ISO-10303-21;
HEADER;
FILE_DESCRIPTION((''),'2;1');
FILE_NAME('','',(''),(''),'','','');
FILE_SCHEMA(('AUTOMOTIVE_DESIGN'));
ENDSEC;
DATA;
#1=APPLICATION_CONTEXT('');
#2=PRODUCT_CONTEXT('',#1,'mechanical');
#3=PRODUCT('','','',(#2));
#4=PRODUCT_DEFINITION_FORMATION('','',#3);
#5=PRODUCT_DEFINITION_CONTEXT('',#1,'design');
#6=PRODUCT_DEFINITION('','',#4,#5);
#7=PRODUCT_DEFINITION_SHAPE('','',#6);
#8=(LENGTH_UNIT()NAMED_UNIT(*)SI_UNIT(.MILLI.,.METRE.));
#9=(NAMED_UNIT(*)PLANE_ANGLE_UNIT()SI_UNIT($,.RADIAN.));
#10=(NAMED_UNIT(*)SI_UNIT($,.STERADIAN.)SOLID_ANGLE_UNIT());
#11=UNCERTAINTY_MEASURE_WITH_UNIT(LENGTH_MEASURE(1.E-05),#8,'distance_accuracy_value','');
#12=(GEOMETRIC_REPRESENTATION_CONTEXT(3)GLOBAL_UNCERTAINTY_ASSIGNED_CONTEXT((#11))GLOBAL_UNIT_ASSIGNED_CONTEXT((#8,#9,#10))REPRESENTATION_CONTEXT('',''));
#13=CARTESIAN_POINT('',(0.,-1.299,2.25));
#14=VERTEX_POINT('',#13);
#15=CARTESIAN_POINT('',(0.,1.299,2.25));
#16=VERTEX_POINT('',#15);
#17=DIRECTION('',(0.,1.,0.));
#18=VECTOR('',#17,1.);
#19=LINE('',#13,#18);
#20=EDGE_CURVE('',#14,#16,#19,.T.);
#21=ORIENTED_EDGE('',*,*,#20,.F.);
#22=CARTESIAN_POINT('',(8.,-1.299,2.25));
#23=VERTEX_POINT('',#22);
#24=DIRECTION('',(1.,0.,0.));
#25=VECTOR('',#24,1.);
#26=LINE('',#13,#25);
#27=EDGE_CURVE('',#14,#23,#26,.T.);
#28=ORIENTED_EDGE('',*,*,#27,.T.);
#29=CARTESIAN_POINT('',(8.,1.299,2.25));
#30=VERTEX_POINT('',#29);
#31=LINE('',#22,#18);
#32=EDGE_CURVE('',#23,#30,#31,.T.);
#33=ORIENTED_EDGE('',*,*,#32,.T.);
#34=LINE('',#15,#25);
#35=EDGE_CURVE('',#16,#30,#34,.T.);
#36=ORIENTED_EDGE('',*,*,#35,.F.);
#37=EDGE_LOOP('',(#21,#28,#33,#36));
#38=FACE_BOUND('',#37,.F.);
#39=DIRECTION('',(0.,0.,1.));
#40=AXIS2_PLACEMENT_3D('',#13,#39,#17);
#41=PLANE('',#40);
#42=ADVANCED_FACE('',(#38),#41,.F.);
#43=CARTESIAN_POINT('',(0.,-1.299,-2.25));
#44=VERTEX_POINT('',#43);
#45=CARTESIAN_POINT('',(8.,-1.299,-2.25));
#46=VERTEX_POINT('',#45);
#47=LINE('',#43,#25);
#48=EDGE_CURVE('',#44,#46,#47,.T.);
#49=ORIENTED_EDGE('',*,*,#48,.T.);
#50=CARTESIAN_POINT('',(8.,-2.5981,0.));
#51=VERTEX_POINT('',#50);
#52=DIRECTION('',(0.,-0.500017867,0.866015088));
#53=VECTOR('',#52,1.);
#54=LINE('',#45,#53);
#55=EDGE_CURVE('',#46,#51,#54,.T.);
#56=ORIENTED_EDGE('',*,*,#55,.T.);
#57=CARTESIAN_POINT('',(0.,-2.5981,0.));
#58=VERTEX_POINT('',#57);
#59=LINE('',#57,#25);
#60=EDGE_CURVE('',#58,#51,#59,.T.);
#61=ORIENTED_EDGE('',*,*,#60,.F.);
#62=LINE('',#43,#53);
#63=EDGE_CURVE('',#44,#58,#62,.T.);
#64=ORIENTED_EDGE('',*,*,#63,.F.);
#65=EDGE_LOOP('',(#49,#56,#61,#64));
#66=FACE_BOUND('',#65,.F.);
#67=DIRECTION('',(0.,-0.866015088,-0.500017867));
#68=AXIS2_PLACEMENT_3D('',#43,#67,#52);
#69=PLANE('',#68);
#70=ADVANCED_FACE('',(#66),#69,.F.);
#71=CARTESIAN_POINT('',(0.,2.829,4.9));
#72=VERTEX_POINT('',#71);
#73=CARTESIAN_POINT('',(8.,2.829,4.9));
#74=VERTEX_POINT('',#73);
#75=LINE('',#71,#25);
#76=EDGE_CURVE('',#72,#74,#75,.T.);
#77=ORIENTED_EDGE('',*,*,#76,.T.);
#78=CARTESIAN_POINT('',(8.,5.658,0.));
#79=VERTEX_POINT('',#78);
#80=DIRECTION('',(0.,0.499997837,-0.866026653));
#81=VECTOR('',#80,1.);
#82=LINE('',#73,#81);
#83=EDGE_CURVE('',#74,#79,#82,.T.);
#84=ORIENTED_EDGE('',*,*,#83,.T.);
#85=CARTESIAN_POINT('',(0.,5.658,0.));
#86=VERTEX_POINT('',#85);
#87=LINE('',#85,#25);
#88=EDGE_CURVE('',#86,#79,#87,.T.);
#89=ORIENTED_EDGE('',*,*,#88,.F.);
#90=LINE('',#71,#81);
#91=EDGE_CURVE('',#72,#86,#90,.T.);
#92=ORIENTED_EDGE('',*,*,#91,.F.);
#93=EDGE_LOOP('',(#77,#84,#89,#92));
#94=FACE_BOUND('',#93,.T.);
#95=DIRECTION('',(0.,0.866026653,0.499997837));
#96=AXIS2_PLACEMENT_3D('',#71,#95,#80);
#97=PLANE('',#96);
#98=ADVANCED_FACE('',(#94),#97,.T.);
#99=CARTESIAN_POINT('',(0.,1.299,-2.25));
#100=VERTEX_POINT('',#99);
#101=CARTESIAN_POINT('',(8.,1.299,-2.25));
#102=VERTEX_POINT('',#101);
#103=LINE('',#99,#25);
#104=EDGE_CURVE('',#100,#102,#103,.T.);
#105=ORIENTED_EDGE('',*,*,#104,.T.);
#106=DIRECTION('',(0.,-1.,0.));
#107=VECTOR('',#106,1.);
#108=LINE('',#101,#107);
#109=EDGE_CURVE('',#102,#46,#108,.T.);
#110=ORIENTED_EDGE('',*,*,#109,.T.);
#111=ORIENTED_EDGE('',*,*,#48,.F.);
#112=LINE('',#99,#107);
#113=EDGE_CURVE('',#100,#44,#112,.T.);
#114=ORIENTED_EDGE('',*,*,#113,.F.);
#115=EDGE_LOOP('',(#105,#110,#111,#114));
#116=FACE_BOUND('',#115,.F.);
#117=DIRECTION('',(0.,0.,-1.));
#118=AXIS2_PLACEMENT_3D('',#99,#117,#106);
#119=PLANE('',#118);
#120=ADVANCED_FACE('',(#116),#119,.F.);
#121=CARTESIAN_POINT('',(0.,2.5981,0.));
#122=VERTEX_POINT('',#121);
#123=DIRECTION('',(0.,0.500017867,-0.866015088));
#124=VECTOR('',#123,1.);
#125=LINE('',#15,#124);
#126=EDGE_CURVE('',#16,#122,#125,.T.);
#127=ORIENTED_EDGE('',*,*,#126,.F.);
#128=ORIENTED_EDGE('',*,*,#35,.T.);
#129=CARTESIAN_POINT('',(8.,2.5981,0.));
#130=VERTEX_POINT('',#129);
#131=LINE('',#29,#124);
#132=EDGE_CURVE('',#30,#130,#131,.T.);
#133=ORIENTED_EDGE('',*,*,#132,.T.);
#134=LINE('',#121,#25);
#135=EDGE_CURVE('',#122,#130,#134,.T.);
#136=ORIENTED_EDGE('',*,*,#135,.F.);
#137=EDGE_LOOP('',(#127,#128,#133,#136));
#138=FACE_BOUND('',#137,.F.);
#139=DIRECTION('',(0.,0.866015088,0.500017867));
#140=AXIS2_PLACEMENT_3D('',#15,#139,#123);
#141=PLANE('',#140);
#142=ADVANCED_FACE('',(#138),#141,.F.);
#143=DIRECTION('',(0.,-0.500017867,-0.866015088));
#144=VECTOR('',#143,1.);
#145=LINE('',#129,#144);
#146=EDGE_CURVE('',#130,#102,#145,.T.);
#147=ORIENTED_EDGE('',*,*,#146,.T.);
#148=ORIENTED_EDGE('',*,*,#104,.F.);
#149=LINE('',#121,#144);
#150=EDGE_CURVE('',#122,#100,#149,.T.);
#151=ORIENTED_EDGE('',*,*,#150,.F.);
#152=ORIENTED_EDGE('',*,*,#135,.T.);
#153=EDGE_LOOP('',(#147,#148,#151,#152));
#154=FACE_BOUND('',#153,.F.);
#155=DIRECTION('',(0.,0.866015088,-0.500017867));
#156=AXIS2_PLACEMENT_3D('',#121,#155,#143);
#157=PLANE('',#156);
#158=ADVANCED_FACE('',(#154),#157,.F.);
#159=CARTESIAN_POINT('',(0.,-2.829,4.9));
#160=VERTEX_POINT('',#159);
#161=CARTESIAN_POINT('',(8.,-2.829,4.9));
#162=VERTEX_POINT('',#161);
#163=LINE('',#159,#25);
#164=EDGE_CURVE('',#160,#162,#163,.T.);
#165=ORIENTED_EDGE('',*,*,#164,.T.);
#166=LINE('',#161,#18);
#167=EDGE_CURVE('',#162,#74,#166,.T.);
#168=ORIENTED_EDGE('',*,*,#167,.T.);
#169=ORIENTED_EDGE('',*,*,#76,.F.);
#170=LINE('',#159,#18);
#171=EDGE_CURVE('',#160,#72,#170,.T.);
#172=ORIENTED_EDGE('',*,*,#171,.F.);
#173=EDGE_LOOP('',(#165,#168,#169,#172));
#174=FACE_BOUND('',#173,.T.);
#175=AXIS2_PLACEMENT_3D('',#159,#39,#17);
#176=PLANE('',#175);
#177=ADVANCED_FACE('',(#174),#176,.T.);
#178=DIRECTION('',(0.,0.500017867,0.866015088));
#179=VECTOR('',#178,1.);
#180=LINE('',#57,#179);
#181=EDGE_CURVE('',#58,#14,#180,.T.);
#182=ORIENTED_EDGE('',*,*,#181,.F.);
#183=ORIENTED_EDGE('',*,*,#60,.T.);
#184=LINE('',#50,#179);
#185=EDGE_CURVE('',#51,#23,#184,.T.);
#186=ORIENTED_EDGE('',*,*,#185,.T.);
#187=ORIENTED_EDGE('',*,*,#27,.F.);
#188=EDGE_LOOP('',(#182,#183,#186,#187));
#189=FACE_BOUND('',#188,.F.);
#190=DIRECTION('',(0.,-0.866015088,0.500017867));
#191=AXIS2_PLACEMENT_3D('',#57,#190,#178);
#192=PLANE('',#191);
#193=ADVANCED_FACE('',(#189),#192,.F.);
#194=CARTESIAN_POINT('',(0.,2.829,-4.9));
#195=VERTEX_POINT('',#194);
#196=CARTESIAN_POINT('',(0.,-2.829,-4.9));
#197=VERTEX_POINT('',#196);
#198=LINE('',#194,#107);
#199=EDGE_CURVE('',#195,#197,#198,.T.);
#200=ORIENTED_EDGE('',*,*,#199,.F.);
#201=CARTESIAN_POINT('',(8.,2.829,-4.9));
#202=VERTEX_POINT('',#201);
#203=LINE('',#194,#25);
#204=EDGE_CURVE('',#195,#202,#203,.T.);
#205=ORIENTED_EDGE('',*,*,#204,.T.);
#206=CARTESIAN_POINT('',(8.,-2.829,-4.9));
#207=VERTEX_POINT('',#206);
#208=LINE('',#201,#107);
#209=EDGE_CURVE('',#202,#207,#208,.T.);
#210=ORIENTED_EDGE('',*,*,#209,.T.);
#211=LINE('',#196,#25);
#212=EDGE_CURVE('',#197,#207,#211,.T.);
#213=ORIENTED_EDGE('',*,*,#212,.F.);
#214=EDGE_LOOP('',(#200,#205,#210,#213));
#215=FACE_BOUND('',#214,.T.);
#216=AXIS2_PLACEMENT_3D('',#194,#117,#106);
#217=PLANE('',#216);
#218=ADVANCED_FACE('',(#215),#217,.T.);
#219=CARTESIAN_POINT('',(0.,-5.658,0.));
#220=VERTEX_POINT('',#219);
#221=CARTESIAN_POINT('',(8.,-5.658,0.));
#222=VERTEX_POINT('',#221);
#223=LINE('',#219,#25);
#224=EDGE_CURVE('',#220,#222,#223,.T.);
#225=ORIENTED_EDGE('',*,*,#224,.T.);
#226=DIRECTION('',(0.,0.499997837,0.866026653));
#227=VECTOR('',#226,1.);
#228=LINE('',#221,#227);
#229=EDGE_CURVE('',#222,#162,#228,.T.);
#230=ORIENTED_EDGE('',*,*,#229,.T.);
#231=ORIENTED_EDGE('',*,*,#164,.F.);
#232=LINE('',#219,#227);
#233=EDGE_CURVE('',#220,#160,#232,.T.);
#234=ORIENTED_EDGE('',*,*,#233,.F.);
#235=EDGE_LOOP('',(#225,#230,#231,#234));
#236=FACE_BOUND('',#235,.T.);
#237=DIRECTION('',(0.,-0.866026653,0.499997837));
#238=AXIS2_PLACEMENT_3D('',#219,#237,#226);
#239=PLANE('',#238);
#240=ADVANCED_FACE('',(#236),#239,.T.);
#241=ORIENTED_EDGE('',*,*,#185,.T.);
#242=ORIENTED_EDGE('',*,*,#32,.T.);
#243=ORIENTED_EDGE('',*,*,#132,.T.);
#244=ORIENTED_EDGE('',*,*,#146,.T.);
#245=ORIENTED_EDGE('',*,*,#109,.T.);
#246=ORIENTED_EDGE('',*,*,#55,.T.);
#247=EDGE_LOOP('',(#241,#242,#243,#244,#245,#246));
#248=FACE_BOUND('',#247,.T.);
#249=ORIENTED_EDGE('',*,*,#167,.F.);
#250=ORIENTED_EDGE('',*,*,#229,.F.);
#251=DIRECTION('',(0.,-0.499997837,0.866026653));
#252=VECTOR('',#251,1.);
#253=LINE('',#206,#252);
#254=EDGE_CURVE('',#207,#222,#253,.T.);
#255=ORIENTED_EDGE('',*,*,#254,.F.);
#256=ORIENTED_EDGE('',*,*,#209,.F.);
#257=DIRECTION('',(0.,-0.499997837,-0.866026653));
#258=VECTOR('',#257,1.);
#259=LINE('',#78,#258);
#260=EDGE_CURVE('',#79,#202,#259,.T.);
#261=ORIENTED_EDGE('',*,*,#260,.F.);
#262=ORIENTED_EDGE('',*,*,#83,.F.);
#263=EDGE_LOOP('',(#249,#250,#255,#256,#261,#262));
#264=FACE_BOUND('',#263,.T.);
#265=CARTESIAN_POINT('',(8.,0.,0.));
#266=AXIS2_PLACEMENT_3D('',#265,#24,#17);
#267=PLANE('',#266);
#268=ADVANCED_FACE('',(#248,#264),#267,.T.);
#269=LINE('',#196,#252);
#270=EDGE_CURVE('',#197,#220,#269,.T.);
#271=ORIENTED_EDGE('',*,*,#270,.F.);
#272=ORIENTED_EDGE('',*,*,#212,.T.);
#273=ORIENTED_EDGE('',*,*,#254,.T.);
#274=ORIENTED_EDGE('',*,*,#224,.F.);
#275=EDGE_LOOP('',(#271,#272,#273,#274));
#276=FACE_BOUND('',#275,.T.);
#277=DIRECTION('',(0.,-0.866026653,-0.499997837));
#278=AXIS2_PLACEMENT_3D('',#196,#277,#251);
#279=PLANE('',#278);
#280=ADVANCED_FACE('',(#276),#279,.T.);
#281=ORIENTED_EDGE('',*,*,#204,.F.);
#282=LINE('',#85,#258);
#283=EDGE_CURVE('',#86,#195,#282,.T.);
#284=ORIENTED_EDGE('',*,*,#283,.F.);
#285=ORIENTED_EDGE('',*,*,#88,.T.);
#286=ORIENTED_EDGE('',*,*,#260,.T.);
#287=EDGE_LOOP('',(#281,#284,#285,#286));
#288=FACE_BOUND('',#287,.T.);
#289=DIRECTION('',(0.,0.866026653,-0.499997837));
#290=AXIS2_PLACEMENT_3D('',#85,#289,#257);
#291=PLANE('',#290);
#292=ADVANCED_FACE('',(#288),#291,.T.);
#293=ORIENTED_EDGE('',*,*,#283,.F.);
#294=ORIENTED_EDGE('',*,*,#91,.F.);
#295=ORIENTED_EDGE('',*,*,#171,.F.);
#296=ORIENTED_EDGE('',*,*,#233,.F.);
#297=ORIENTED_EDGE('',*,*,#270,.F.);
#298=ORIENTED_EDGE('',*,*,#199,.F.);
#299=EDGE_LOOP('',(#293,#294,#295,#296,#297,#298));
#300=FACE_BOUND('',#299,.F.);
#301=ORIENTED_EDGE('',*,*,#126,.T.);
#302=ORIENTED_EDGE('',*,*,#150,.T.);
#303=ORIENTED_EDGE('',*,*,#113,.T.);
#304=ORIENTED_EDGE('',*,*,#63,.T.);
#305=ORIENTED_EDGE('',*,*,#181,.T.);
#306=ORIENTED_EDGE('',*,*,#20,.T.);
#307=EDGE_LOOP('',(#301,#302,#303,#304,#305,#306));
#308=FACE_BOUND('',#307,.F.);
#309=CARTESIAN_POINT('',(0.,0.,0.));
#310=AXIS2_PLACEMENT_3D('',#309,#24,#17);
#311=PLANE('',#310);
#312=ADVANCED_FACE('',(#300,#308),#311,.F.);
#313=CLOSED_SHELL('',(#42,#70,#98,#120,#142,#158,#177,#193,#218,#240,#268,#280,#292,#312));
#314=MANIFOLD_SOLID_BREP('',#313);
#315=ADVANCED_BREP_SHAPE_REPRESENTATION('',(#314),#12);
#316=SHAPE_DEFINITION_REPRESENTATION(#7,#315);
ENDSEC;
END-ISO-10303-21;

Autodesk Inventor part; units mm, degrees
ref_plane "YZ Plane" through (0, 0, 0) normal (1, 0, 0) x (0, 1, 0)
ref_plane "XZ Plane" through (0, 0, 0) normal (0, 1, 0) x (-1, 0, 0)
ref_plane "XY Plane" through (0, 0, 0) normal (0, 0, 1) x (1, 0, 0)
sketch "Sketch1" plane through (0, 0, 0) normal (1, 0, 0) x (0, 1, 0)
  line L0 (-1.299, -2.25) -> (-2.5981, 0)
  line L1 (-2.5981, 0) -> (-1.299, 2.25)
  line L2 (-1.299, 2.25) -> (1.299, 2.25)
  line L3 (1.299, 2.25) -> (2.5981, 0)
  line L4 (2.5981, 0) -> (1.299, -2.25)
  line L5 (1.299, -2.25) -> (-1.299, -2.25)
  line L6 (-2.829, -4.9) -> (-5.658, 0)
  line L7 (-5.658, 0) -> (-2.829, 4.9)
  line L8 (-2.829, 4.9) -> (2.829, 4.9)
  line L9 (2.829, 4.9) -> (5.658, 0)
  line L10 (5.658, 0) -> (2.829, -4.9)
  line L11 (2.829, -4.9) -> (-2.829, -4.9)
  point P0 (0, 0)
  point P1 (0, 0)
  point P2 (0, 0)
  dimension "d0" = 4.5
  dimension "d1" = 9.8
extrude "Extrusion1" add sketch "Sketch1" along normal blind 8
properties part number "Adaptador Acoplador" material "ABS Plastic"
